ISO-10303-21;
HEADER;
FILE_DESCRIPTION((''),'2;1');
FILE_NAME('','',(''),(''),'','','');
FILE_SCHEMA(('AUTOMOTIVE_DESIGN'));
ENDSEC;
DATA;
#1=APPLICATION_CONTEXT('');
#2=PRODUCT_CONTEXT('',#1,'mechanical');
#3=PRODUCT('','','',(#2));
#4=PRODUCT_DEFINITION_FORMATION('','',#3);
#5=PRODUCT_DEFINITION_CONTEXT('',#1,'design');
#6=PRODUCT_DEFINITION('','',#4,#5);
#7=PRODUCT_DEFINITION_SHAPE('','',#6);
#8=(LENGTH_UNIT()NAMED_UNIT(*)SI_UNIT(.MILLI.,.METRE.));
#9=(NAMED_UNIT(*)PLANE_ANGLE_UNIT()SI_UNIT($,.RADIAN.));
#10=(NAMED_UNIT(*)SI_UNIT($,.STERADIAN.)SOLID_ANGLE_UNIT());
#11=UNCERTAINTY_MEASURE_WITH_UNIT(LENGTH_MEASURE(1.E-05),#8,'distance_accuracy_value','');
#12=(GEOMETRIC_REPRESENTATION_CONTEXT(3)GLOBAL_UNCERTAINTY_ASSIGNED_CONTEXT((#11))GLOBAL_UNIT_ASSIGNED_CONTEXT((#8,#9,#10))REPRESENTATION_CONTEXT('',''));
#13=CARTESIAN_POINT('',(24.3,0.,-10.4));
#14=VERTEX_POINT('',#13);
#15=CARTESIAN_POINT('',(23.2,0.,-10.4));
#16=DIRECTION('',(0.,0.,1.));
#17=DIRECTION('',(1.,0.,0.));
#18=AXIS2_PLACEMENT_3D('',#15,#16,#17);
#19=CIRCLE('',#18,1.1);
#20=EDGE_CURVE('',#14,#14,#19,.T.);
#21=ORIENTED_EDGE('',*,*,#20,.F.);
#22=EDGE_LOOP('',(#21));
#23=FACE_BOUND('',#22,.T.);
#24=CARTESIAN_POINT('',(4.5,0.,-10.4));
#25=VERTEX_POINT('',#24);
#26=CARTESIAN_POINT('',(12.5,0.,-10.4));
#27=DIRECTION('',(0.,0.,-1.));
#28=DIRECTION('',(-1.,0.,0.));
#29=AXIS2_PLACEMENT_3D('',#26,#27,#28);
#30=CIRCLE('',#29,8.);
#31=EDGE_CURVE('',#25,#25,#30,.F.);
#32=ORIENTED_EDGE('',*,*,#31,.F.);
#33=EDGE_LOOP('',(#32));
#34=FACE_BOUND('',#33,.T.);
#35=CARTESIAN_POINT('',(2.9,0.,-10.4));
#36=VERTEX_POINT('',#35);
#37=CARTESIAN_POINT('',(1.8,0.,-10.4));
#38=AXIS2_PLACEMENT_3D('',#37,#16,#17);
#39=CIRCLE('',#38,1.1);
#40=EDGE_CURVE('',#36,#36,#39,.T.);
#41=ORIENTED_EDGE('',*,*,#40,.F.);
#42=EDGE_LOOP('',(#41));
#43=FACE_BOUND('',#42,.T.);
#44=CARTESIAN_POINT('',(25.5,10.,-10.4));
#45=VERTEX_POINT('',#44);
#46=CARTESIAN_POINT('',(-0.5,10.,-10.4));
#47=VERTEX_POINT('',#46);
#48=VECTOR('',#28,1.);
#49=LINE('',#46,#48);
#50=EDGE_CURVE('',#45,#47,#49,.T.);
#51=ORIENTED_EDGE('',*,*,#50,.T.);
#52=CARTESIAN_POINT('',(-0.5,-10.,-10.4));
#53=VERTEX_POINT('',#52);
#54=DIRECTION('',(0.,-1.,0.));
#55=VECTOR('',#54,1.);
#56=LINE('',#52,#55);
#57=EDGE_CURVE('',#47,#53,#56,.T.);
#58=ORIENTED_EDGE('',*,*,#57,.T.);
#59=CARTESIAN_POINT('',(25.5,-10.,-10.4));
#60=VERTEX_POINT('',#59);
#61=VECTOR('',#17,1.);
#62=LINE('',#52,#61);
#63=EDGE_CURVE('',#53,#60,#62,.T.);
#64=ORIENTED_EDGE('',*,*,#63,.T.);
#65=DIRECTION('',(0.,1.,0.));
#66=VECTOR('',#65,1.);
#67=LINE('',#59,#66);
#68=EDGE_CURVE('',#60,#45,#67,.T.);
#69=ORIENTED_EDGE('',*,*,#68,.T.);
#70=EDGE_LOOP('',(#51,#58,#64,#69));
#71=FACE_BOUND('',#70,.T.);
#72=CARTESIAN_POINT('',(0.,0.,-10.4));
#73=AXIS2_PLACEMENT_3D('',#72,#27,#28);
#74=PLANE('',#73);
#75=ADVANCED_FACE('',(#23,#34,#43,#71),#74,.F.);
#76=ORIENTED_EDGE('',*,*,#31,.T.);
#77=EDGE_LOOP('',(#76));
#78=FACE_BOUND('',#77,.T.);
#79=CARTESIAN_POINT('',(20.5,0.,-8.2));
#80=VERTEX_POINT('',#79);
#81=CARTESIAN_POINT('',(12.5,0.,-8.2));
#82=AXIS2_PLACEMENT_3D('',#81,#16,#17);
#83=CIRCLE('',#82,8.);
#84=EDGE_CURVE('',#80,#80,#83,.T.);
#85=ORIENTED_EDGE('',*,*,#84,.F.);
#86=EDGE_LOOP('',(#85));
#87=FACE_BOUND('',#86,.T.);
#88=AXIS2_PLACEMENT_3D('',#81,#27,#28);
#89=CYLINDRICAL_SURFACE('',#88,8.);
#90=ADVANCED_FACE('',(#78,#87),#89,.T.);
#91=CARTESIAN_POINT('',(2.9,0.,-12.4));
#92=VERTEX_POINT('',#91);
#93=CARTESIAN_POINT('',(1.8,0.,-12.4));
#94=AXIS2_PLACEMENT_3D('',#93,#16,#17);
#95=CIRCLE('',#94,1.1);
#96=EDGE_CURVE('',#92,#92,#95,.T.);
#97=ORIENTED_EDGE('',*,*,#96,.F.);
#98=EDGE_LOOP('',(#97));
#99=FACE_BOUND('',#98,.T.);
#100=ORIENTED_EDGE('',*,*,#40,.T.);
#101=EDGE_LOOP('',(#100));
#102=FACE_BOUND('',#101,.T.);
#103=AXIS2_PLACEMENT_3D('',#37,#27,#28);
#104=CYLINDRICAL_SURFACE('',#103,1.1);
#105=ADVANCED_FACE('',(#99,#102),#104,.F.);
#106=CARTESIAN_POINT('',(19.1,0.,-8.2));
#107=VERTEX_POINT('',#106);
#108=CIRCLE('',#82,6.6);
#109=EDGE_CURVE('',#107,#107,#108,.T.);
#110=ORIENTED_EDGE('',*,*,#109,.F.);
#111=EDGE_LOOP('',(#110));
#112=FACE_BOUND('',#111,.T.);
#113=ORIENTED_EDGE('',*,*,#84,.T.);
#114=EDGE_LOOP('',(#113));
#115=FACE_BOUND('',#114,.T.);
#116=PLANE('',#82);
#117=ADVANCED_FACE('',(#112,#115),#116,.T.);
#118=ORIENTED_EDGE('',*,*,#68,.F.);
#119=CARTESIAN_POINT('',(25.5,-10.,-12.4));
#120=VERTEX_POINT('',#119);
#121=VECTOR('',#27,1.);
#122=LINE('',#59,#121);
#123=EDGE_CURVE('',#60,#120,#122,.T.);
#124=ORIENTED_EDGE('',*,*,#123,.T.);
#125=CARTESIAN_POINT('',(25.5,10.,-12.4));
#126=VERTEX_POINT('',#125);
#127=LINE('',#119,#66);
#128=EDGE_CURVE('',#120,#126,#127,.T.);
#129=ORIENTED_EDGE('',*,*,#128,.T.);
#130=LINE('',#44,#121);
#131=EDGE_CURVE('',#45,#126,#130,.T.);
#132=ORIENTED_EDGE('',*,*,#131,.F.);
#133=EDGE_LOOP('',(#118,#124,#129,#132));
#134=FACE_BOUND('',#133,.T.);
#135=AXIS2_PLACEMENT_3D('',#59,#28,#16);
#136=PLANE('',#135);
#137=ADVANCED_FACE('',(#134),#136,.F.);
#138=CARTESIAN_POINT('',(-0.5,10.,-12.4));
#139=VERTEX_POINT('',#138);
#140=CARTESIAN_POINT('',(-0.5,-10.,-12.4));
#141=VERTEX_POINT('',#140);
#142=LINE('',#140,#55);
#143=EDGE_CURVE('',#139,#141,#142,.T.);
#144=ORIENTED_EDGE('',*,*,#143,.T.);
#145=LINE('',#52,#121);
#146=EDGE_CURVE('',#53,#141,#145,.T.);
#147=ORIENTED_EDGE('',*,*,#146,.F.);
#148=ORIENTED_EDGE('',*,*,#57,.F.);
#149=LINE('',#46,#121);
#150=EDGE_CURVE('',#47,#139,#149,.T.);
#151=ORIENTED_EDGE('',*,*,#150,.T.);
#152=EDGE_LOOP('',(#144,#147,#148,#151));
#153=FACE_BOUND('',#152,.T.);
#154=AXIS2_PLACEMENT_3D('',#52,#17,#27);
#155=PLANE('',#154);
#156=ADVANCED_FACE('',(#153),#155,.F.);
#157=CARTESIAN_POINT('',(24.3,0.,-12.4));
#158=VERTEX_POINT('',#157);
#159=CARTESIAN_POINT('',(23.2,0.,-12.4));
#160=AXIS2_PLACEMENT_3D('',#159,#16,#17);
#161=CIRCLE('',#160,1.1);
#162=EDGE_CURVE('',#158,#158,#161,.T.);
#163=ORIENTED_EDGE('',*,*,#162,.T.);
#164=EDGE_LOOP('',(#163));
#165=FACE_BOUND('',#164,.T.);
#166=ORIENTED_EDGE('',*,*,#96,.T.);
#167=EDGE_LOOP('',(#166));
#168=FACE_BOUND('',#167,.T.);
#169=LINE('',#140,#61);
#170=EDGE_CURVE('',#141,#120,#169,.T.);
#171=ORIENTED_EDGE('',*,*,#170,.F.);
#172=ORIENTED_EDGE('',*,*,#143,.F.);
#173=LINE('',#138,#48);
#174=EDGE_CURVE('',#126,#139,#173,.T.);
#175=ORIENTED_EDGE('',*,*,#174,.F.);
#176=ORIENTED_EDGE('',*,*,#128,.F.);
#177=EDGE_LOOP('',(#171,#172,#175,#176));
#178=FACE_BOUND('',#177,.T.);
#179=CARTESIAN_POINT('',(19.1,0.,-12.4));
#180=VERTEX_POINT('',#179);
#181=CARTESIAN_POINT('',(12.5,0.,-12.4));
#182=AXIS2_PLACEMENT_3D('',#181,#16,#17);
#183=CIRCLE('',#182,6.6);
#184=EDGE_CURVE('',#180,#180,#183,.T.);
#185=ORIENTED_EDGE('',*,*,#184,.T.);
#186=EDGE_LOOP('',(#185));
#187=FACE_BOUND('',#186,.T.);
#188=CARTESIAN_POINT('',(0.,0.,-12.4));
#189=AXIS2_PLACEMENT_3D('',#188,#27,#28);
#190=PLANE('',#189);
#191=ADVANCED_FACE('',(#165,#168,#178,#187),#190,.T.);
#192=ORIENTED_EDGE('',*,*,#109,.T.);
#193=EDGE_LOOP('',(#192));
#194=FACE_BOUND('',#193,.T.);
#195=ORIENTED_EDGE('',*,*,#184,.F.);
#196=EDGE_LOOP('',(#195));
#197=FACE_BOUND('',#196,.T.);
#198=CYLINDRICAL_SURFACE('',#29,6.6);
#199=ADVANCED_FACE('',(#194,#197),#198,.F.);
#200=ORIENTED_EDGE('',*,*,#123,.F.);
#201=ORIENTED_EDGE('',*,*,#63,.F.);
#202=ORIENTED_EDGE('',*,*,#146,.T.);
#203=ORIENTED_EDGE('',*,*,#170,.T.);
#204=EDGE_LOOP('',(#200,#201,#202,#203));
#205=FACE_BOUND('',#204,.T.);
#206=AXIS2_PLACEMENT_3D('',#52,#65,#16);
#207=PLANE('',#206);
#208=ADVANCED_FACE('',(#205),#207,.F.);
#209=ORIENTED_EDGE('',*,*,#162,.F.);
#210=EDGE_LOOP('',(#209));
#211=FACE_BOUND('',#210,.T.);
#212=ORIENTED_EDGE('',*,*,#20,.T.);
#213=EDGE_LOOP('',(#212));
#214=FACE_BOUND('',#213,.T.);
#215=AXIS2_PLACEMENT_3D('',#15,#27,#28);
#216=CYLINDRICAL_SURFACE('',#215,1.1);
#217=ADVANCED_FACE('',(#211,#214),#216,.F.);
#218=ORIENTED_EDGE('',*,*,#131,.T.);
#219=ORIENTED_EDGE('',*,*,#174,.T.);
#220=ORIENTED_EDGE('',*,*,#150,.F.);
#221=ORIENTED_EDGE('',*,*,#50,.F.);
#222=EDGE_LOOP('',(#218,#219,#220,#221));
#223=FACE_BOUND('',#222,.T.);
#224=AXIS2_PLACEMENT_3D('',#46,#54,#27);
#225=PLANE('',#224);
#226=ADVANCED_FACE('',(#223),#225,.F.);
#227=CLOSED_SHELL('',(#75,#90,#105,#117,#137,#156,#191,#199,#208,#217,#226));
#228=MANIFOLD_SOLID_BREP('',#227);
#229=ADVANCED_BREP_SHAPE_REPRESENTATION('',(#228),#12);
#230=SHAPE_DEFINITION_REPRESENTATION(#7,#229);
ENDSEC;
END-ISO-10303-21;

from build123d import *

# Parameters (mm, degrees)
CAP_PLATE_26X20X2_START           = -12.4
CAP_PLATE_26X20X2_PROFILE_W       = 26
CAP_PLATE_26X20X2_PROFILE_H       = 20
CAP_PLATE_26X20X2_PROFILE_R       = 6.6
CAP_PLATE_26X20X2_PROFILE_R_2     = 1.1
CAP_PLATE_26X20X2_DEPTH           = 2
BEARING_RETENTION_LIP_START       = -10.41
BEARING_RETENTION_LIP_PROFILE_R   = 8
BEARING_RETENTION_LIP_PROFILE_R_2 = 6.6
BEARING_RETENTION_LIP_DEPTH       = 2.21


with BuildPart() as part:
    # Cap_plate_26x20x2_Profile → Cap_plate_26x20x2 (new body)
    with BuildSketch(Plane.XY.offset(CAP_PLATE_26X20X2_START)):
        with Locations((12.5, 0)):
            Rectangle(CAP_PLATE_26X20X2_PROFILE_W, CAP_PLATE_26X20X2_PROFILE_H)
        with Locations((12.5, 0)):
            Circle(CAP_PLATE_26X20X2_PROFILE_R, mode=Mode.SUBTRACT)
        with Locations((1.8, 0)):
            Circle(CAP_PLATE_26X20X2_PROFILE_R_2, mode=Mode.SUBTRACT)
        with Locations((23.2, 0)):
            Circle(CAP_PLATE_26X20X2_PROFILE_R_2, mode=Mode.SUBTRACT)
    extrude(amount=CAP_PLATE_26X20X2_DEPTH)

    # Bearing_retention_lip_Profile → Bearing_retention_lip (add)
    with BuildSketch(Plane.XY.offset(BEARING_RETENTION_LIP_START)):
        with Locations(Location((12.5, 0, 0), (0, 0, 180))):
            Circle(BEARING_RETENTION_LIP_PROFILE_R)
        with Locations((12.5, 0)):
            Circle(BEARING_RETENTION_LIP_PROFILE_R_2, mode=Mode.SUBTRACT)
    extrude(amount=BEARING_RETENTION_LIP_DEPTH)


solid = part.part
